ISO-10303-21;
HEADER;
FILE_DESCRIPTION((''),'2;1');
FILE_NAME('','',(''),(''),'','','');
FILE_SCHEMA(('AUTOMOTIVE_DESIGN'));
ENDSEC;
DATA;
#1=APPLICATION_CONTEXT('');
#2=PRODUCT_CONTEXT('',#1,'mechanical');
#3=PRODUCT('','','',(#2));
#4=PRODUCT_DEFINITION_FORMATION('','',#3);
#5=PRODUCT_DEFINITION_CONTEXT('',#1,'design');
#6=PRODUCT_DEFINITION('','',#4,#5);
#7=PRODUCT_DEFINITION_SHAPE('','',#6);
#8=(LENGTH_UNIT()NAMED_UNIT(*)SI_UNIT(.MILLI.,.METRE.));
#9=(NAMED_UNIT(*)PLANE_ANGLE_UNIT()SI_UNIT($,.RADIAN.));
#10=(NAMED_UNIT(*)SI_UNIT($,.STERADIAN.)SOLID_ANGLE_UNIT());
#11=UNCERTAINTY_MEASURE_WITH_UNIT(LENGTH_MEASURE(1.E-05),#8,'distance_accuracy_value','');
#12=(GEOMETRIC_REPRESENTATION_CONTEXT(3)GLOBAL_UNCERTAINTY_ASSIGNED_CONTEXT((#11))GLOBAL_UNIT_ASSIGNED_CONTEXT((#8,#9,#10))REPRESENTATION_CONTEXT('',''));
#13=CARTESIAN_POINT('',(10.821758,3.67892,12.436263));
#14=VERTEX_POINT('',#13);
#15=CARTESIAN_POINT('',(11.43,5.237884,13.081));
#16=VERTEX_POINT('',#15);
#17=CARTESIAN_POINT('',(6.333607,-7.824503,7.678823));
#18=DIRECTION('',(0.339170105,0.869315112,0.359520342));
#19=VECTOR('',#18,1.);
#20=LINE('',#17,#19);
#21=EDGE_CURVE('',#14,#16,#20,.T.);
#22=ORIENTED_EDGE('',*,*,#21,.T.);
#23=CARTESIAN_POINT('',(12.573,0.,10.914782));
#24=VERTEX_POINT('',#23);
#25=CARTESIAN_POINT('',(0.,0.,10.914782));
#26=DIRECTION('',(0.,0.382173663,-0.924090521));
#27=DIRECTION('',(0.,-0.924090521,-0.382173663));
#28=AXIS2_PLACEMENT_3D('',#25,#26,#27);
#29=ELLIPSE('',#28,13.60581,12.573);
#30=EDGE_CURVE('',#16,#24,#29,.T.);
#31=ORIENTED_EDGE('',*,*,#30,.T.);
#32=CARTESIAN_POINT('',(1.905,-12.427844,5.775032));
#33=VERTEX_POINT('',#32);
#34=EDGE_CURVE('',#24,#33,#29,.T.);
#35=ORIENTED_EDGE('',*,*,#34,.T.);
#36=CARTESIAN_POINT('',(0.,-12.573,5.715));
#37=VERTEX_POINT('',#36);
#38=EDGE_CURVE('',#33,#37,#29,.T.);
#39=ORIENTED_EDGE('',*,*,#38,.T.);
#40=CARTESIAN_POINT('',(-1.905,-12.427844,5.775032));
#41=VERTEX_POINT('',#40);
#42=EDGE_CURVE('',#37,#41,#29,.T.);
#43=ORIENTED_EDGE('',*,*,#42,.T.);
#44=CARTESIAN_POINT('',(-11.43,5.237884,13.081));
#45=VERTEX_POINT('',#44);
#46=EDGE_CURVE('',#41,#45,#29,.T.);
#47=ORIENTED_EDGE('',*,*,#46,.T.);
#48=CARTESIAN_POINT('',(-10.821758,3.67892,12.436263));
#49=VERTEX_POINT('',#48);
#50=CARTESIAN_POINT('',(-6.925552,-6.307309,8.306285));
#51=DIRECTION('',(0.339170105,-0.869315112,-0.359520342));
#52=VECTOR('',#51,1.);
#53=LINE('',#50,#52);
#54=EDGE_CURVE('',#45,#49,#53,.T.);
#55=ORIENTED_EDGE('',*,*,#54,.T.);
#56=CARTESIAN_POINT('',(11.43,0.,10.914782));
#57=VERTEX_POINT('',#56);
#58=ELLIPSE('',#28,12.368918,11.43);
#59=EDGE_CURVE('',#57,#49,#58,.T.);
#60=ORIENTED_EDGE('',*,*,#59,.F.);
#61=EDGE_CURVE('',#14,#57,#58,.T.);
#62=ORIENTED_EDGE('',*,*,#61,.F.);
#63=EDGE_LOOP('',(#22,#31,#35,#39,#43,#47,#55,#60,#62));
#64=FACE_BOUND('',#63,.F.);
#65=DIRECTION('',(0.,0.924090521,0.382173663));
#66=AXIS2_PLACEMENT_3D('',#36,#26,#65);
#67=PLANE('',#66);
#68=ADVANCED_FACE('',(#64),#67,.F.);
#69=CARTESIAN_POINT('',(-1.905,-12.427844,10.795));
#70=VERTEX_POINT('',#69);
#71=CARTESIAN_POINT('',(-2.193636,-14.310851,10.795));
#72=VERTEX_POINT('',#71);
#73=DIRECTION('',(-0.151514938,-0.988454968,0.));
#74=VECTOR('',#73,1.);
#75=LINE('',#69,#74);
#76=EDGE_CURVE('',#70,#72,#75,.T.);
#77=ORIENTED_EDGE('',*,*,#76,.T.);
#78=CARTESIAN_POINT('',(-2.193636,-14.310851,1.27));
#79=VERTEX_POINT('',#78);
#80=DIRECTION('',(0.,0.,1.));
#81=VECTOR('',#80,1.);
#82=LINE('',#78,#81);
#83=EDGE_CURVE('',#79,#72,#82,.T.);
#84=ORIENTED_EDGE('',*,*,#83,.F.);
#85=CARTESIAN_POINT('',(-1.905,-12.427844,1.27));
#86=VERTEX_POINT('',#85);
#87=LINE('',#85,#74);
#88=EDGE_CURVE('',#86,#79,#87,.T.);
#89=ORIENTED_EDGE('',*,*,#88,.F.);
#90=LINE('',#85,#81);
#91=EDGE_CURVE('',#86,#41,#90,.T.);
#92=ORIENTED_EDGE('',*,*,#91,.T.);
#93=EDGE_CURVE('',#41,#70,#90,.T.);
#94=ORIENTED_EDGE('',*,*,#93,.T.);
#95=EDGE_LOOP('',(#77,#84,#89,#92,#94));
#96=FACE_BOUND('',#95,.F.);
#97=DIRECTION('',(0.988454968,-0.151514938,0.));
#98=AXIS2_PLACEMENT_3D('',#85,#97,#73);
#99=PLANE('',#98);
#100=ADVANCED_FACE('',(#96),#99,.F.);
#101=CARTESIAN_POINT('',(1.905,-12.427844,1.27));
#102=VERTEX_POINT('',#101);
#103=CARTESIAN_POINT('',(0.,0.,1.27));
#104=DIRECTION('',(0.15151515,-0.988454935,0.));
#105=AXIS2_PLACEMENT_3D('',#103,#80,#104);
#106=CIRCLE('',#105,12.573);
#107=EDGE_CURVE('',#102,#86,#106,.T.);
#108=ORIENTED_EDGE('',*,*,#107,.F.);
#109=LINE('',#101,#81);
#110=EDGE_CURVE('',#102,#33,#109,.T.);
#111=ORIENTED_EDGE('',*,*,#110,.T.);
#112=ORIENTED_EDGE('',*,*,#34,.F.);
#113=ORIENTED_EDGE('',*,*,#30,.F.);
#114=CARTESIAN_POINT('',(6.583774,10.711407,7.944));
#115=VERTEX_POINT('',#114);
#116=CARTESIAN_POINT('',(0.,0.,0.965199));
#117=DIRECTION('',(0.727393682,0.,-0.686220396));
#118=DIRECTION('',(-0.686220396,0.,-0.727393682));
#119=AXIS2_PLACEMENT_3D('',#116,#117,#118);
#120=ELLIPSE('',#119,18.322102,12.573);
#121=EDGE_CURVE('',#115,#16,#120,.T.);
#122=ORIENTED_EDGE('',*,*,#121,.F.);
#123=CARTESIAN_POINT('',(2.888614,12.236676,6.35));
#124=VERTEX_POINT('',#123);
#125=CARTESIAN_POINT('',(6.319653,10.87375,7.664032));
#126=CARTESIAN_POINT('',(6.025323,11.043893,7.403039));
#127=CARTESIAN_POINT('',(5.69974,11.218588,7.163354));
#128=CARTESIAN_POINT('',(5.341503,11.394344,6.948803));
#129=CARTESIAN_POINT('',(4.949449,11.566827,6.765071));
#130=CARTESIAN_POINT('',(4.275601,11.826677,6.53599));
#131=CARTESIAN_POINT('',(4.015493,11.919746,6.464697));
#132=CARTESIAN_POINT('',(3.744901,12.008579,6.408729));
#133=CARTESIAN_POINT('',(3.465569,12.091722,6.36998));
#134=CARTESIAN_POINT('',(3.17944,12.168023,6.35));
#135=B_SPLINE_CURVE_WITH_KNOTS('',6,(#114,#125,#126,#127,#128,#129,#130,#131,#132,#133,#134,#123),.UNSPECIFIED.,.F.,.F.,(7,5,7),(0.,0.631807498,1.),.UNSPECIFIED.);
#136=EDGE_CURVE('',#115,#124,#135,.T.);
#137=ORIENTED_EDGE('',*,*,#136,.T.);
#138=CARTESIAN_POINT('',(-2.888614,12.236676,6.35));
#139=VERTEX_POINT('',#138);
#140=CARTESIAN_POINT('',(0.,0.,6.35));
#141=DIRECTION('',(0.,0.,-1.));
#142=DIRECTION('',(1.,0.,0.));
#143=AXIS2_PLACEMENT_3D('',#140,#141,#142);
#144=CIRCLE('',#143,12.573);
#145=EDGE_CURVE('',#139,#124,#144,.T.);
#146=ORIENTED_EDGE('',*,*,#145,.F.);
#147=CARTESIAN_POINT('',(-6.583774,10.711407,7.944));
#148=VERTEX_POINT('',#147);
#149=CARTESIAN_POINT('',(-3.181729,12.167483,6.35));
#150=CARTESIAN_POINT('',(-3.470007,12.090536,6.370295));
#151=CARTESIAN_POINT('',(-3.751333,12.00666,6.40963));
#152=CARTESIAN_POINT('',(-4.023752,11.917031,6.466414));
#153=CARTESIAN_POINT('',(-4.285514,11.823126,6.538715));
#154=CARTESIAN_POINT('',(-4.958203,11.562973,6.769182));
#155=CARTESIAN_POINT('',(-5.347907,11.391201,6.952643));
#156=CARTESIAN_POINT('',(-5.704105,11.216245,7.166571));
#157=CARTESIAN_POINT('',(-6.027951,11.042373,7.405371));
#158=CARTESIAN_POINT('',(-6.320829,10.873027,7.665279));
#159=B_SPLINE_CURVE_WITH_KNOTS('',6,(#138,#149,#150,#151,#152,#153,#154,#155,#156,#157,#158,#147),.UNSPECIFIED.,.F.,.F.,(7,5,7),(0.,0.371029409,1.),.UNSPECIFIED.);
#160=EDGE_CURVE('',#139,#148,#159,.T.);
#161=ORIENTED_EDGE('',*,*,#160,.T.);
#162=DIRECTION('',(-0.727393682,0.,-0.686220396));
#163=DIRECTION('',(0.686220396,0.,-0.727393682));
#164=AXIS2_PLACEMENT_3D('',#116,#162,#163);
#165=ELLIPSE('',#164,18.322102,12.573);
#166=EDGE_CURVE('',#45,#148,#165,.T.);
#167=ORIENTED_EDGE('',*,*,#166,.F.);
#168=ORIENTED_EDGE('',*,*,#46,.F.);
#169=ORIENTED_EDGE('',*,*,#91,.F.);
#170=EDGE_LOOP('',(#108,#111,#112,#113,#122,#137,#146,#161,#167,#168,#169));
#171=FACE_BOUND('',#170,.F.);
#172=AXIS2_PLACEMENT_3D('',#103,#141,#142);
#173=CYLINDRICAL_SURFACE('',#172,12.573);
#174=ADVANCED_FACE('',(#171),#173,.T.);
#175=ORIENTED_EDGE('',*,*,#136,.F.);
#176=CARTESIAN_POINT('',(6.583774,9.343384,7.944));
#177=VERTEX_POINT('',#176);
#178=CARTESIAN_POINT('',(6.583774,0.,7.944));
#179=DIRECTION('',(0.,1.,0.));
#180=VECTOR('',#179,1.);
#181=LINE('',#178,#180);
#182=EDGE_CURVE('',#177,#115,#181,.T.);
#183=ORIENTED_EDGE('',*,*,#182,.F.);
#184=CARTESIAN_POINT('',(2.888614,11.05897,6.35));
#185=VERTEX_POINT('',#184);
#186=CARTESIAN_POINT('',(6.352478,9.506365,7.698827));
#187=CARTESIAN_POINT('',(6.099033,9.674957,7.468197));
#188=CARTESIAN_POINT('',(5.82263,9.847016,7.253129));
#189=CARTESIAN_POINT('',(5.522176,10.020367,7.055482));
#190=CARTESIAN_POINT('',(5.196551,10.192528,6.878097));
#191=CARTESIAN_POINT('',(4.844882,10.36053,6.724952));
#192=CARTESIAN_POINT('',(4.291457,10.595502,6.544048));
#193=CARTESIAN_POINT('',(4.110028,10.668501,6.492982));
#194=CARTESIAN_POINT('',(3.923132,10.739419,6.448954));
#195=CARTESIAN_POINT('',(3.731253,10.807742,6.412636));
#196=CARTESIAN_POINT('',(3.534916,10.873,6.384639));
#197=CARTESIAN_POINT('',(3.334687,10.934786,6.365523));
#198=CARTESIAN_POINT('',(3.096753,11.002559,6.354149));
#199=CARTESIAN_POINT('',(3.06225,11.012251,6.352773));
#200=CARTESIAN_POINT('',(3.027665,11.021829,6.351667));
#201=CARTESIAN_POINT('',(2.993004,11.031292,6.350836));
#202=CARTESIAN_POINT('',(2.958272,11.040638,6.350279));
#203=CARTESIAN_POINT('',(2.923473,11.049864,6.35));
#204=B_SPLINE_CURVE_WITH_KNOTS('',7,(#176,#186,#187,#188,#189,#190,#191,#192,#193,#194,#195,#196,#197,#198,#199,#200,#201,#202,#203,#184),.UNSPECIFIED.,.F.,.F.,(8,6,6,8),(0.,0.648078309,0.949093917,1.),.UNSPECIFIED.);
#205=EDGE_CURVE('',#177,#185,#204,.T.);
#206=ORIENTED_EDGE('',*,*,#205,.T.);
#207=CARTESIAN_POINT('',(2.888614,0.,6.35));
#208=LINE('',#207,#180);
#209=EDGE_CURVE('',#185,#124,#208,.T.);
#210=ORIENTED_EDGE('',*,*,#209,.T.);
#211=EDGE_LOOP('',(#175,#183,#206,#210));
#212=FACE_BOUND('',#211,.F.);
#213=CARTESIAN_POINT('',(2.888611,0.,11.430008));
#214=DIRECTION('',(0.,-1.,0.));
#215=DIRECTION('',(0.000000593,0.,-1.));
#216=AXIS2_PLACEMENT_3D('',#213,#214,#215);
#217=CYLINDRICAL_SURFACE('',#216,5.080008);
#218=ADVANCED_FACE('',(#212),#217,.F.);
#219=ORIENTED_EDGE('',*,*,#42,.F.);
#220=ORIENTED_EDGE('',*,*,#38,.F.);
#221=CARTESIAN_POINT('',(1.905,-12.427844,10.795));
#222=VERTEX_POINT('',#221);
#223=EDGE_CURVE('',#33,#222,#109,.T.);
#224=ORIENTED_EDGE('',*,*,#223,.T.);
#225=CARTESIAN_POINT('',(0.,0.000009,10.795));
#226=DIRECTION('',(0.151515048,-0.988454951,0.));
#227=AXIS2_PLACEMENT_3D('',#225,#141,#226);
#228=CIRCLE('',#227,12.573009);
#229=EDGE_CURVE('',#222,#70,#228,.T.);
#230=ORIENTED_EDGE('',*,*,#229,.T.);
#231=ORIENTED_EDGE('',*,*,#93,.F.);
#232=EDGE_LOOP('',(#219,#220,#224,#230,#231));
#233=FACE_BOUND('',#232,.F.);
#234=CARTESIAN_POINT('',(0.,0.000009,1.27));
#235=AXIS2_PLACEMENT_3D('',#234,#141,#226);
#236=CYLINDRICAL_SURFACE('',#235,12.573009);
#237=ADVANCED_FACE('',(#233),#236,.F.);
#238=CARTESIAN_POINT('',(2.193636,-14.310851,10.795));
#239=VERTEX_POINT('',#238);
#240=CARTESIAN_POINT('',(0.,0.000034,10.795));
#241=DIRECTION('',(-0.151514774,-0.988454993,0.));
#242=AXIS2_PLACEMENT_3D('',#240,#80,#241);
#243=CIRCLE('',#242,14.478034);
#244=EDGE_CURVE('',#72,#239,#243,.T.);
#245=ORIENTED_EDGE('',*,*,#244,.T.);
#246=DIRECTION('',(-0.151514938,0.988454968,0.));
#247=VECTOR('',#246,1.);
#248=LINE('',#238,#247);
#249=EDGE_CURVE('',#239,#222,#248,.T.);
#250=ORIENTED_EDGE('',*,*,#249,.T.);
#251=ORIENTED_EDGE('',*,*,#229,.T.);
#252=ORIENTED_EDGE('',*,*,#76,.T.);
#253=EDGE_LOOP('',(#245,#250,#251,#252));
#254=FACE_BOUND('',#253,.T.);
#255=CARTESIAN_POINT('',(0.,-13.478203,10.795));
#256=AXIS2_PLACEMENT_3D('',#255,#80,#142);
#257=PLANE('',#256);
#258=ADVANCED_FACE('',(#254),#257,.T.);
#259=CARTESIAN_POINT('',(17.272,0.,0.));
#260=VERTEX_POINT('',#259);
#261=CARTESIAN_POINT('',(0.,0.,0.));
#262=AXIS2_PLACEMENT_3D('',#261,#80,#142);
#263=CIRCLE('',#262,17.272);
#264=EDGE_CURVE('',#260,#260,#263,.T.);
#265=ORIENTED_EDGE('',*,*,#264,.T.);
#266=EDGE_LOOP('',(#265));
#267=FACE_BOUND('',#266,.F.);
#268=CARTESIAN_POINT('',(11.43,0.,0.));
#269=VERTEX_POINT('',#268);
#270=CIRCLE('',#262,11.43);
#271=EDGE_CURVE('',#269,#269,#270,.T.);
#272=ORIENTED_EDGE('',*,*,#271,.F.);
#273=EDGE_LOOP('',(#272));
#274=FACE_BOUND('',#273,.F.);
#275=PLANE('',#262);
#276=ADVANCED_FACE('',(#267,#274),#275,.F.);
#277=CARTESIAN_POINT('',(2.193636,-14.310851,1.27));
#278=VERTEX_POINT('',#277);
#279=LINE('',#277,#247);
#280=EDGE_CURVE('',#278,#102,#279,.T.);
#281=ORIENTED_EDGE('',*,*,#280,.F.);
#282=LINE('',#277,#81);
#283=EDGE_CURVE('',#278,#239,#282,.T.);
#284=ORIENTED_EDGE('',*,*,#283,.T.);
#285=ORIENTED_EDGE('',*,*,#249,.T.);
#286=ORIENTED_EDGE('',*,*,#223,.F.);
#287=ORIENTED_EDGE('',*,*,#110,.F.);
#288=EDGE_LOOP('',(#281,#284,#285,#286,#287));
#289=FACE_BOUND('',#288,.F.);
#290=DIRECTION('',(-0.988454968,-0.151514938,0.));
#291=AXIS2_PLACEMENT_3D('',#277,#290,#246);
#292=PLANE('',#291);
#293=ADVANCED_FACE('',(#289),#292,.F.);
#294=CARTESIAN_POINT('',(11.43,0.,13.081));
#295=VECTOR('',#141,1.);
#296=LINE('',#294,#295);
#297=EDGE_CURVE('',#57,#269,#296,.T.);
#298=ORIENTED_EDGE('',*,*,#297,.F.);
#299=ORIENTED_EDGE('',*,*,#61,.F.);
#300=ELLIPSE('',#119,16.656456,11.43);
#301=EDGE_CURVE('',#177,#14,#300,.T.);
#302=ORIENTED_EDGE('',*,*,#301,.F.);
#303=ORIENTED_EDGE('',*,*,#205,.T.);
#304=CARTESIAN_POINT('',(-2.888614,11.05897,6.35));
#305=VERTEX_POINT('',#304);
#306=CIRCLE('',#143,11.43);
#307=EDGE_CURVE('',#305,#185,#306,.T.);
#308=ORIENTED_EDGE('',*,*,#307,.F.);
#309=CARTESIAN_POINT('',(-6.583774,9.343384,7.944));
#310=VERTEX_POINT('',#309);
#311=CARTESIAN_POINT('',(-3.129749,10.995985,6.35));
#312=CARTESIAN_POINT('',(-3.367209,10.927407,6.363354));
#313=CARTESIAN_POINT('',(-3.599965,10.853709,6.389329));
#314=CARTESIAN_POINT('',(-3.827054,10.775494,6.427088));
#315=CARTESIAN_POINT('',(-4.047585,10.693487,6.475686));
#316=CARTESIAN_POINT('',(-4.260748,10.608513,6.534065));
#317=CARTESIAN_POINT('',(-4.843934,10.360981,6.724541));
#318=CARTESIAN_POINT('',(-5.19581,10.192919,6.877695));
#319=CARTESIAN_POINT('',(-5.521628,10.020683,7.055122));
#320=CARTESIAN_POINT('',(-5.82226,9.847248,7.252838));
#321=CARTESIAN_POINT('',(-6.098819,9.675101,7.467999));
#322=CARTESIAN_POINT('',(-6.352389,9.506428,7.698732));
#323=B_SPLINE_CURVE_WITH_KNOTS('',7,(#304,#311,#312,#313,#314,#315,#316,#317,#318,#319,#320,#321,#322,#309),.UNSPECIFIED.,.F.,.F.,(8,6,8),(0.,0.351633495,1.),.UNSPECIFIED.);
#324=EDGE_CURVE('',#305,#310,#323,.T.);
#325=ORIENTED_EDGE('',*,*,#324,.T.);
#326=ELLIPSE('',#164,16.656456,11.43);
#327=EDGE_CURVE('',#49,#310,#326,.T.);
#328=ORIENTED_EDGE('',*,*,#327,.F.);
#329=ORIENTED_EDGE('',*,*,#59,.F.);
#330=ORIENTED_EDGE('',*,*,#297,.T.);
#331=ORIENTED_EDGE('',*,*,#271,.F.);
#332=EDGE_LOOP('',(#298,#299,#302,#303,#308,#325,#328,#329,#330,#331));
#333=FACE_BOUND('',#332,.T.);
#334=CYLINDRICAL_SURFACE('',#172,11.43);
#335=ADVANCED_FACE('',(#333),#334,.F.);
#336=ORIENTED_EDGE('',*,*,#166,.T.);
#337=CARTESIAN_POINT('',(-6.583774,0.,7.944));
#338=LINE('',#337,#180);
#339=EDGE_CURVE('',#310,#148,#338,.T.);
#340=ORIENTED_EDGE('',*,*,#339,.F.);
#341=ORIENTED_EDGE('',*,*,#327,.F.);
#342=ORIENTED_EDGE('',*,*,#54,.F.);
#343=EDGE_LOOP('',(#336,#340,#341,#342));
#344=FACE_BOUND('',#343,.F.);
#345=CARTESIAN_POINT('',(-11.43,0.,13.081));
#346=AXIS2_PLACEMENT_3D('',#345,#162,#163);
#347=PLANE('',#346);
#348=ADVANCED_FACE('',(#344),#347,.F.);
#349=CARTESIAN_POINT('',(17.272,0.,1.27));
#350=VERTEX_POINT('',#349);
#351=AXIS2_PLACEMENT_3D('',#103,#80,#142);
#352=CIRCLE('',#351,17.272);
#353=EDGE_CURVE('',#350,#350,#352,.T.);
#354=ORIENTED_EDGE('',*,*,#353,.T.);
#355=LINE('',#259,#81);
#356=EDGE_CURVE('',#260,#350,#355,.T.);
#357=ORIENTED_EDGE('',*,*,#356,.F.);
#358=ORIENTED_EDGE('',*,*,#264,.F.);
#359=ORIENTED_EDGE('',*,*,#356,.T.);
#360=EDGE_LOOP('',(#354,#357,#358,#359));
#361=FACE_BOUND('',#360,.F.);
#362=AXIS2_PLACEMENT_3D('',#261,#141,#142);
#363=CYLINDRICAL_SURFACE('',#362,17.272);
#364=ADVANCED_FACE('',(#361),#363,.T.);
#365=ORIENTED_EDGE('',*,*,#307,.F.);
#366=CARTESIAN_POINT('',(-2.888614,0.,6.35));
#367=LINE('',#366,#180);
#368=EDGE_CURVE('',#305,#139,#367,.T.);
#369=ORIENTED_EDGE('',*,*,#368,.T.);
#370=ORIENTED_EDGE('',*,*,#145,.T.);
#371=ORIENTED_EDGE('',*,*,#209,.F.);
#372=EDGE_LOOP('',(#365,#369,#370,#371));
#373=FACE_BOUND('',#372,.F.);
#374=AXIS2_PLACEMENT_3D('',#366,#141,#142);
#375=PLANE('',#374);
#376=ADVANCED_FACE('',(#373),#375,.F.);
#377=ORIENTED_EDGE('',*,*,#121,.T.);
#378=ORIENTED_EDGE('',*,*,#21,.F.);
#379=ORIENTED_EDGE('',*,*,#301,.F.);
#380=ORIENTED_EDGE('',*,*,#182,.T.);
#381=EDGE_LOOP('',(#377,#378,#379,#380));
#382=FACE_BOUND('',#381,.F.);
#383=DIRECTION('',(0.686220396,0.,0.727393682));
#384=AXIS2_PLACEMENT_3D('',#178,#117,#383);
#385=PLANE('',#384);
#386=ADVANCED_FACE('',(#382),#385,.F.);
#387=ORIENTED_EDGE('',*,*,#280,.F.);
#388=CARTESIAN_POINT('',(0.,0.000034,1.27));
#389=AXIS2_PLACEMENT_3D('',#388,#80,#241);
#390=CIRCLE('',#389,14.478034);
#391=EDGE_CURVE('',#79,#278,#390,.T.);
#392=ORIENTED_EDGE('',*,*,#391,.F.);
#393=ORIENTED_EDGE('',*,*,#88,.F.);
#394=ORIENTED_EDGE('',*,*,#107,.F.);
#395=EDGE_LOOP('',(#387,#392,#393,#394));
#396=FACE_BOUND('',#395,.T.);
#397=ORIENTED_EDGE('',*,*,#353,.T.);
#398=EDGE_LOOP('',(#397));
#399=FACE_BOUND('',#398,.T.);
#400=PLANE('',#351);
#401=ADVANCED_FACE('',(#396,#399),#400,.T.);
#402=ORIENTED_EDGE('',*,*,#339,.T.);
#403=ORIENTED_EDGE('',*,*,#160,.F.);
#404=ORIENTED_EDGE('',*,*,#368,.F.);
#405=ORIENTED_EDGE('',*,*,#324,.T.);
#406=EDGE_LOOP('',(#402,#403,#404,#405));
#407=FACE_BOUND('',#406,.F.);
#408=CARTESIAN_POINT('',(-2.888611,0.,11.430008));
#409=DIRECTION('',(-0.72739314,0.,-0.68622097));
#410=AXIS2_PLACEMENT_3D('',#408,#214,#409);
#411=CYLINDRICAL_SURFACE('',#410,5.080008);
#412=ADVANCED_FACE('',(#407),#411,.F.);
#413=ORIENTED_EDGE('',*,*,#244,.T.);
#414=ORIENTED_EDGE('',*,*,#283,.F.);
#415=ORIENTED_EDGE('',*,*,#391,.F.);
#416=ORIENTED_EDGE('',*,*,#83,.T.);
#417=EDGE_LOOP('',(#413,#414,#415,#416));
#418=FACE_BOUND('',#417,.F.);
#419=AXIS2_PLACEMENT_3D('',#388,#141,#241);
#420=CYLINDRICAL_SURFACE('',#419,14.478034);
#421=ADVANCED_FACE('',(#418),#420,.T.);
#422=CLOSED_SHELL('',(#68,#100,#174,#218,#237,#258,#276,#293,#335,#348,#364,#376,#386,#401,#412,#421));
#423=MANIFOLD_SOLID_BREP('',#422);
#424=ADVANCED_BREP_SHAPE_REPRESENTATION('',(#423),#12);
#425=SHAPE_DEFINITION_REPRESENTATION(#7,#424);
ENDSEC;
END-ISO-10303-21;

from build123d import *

# Parameters (mm, degrees)
F0_R     = 17.272
F0_R_2   = 11.43
F1_DEPTH = 1.27
F2_R     = 12.573
F2_R_2   = 11.43
F3_DEPTH = 11.811
F5_DEPTH = 17.273
F7_DEPTH = 12.7
F9_DEPTH = 9.525


with BuildPart() as f1:
    # F0 (on Top) → F1 (new body)
    with BuildSketch(Plane.XY):
        Circle(F0_R)
        Circle(F0_R_2, mode=Mode.SUBTRACT)
    extrude(amount=F1_DEPTH)

    # F2 (on face) → F3 (join)
    with BuildSketch(Plane.XY.offset(1.27)):
        Circle(F2_R)
        Circle(F2_R_2, mode=Mode.SUBTRACT)
    extrude(amount=F3_DEPTH)

    # F4 (on Front) → F5 (cut, through all)
    with BuildSketch(Plane.XZ):
        with BuildLine():
            Line((-2.888614, 6.35), (2.888614, 6.35))
            ThreePointArc((2.888614, 6.35), (4.900767, 6.765492), (6.583774, 7.944))
            Line((6.583774, 7.944), (11.43, 13.081))
            Line((11.43, 13.081), (-11.43, 13.081))
            Line((-11.43, 13.081), (-6.583774, 7.944))
            ThreePointArc((-6.583774, 7.944), (-4.900767, 6.765492), (-2.888614, 6.35))
        make_face()
    extrude(amount=-F5_DEPTH, mode=Mode.SUBTRACT)

    # F6 (on Right) → F7 (cut, symmetric)
    with BuildSketch(Plane.YZ):
        Polygon((-12.573, 5.715), (5.237884, 13.081), (-12.573, 13.081), align=None)
    extrude(amount=F7_DEPTH, both=True, mode=Mode.SUBTRACT)

    # F8 (on face) → F9 (join)
    with BuildSketch(Plane.XY.offset(1.27)):
        with BuildLine():
            Line((2.193636, -14.310851), (1.905, -12.427844))
            ThreePointArc((1.905, -12.427844), (0, -12.573), (-1.905, -12.427844))
            Line((-1.905, -12.427844), (-2.193636, -14.310851))
            ThreePointArc((-2.193636, -14.310851), (0, -14.478), (2.193636, -14.310851))
        make_face()
    extrude(amount=F9_DEPTH)


solid = f1.part
